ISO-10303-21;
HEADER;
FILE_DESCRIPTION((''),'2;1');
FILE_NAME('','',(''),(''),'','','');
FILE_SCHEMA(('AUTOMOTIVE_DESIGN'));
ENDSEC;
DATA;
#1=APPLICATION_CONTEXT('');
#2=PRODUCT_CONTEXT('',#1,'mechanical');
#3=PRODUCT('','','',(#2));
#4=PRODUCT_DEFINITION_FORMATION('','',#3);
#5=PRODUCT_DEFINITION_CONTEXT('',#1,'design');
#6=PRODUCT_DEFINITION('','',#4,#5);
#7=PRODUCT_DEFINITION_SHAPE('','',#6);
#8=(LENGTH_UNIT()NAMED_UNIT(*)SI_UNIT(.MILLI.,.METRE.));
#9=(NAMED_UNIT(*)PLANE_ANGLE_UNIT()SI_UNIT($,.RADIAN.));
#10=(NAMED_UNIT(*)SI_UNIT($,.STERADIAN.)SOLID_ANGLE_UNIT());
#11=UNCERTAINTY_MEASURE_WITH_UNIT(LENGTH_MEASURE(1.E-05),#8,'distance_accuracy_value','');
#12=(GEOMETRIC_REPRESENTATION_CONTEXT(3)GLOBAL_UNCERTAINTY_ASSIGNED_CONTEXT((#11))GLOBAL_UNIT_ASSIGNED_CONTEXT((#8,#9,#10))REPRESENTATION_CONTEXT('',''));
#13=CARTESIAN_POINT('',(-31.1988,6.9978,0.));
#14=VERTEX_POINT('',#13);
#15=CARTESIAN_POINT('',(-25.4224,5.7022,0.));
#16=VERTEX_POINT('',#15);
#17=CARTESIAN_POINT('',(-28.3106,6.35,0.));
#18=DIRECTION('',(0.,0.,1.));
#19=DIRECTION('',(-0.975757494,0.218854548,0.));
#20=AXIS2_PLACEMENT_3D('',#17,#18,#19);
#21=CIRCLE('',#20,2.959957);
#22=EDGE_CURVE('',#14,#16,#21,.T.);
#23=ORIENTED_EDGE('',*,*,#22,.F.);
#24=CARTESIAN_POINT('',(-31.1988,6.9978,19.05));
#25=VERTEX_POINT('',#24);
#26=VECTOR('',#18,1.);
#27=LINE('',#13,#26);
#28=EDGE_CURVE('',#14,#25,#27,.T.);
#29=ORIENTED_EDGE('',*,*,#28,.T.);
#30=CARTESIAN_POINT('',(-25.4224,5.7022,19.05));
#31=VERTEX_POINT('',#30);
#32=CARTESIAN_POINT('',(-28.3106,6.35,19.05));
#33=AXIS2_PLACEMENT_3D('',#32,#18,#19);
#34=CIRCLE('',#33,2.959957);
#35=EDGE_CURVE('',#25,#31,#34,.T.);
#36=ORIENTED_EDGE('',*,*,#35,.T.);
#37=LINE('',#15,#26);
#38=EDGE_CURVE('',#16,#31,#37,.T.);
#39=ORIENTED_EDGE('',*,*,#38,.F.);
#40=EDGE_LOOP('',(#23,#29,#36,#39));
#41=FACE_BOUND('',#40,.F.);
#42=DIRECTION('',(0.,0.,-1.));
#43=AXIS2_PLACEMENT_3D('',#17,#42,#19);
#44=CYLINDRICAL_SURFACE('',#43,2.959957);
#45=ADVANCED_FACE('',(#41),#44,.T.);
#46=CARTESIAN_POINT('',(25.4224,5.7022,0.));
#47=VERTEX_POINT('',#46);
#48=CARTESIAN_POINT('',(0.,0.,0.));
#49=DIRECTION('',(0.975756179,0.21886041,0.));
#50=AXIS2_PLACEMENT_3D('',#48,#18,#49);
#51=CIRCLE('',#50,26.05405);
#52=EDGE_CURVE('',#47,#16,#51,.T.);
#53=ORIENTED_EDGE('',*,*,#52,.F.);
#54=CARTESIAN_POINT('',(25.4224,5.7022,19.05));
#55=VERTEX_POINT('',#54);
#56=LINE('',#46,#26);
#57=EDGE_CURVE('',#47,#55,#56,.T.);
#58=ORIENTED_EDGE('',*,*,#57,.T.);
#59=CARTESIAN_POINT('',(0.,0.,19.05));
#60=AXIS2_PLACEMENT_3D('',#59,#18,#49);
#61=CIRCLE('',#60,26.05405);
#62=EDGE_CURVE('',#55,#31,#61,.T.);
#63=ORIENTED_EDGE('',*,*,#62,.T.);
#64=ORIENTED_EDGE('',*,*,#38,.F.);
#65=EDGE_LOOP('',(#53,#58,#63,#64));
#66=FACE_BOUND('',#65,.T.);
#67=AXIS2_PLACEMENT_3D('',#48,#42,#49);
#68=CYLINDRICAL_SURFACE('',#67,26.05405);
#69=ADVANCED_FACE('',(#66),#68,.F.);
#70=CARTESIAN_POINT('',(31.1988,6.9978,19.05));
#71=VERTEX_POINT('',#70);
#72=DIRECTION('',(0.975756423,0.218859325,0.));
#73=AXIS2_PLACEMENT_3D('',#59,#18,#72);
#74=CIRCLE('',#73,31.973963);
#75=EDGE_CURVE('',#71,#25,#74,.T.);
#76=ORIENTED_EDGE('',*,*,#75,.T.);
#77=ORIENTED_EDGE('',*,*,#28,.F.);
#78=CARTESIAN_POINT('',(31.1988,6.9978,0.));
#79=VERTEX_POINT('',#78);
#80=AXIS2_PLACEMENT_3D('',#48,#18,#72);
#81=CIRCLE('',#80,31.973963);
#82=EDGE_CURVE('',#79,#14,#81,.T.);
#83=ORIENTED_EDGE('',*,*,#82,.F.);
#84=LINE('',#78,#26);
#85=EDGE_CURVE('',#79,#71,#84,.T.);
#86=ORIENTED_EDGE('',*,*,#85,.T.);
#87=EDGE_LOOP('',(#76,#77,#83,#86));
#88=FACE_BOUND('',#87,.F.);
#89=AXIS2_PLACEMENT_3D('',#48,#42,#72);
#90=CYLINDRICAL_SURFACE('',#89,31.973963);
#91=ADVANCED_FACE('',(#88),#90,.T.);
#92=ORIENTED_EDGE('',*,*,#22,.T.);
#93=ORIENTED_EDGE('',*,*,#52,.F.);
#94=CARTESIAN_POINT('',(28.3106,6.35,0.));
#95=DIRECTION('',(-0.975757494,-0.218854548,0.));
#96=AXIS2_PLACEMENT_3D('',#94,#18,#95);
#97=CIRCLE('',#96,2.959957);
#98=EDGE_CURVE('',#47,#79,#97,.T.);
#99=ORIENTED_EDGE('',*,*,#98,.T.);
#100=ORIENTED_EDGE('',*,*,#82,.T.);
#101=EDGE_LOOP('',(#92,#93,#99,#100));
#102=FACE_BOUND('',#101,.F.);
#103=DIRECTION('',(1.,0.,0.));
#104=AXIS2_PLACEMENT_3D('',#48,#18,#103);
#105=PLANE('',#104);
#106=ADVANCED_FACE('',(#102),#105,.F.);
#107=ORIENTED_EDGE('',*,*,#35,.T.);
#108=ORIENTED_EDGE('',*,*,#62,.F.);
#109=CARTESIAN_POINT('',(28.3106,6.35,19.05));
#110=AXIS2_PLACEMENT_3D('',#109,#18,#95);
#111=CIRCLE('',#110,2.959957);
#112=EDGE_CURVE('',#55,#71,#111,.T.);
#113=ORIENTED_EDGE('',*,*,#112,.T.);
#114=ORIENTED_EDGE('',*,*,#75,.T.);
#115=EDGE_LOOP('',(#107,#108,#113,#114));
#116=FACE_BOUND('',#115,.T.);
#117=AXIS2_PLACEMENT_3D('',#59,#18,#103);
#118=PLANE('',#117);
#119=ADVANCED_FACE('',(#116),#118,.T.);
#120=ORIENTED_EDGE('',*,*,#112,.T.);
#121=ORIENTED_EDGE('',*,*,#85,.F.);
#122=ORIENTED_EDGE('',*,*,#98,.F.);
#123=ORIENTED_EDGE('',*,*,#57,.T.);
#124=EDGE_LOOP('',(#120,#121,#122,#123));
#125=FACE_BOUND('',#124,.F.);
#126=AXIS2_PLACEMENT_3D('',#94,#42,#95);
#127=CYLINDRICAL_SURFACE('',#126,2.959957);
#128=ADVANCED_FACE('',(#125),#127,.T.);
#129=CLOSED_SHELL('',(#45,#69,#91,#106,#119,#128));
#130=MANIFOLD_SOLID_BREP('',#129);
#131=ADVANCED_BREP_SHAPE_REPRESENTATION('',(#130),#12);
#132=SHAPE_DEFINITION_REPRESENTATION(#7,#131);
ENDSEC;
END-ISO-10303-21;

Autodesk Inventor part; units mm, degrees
ref_plane "YZ Plane" through (0, 0, 0) normal (1, 0, 0) x (0, 1, 0)
ref_plane "XZ Plane" through (0, 0, 0) normal (0, 1, 0) x (-1, 0, 0)
ref_plane "XY Plane" through (0, 0, 0) normal (0, 0, 1) x (1, 0, 0)
sketch "Sketch1" plane through (0, 0, 0) normal (0, 0, 1) x (1, 0, 0)
  arc A0 (28.3106, 6.35) -> (-28.3106, 6.35) centre (0, 0) ccw construction
  arc A1 (31.1988, 6.9978) -> (-31.1988, 6.9978) centre (0, 0) ccw
  arc A2 (25.4224, 5.7022) -> (-25.4224, 5.7022) centre (0, 0) ccw
  arc A3 (25.4224, 5.7022) -> (31.1988, 6.9978) centre (28.3106, 6.35) ccw
  arc A4 (-31.1988, 6.9978) -> (-25.4224, 5.7022) centre (-28.3106, 6.35) ccw
  dimension "d0" = 2.96
  dimension "d1" = 26.054
  dimension "d2" = 6.35
extrude "Extrusion1" add sketch "Sketch1" along normal blind 19.05
properties part number "HoseClampShaftCollar"
